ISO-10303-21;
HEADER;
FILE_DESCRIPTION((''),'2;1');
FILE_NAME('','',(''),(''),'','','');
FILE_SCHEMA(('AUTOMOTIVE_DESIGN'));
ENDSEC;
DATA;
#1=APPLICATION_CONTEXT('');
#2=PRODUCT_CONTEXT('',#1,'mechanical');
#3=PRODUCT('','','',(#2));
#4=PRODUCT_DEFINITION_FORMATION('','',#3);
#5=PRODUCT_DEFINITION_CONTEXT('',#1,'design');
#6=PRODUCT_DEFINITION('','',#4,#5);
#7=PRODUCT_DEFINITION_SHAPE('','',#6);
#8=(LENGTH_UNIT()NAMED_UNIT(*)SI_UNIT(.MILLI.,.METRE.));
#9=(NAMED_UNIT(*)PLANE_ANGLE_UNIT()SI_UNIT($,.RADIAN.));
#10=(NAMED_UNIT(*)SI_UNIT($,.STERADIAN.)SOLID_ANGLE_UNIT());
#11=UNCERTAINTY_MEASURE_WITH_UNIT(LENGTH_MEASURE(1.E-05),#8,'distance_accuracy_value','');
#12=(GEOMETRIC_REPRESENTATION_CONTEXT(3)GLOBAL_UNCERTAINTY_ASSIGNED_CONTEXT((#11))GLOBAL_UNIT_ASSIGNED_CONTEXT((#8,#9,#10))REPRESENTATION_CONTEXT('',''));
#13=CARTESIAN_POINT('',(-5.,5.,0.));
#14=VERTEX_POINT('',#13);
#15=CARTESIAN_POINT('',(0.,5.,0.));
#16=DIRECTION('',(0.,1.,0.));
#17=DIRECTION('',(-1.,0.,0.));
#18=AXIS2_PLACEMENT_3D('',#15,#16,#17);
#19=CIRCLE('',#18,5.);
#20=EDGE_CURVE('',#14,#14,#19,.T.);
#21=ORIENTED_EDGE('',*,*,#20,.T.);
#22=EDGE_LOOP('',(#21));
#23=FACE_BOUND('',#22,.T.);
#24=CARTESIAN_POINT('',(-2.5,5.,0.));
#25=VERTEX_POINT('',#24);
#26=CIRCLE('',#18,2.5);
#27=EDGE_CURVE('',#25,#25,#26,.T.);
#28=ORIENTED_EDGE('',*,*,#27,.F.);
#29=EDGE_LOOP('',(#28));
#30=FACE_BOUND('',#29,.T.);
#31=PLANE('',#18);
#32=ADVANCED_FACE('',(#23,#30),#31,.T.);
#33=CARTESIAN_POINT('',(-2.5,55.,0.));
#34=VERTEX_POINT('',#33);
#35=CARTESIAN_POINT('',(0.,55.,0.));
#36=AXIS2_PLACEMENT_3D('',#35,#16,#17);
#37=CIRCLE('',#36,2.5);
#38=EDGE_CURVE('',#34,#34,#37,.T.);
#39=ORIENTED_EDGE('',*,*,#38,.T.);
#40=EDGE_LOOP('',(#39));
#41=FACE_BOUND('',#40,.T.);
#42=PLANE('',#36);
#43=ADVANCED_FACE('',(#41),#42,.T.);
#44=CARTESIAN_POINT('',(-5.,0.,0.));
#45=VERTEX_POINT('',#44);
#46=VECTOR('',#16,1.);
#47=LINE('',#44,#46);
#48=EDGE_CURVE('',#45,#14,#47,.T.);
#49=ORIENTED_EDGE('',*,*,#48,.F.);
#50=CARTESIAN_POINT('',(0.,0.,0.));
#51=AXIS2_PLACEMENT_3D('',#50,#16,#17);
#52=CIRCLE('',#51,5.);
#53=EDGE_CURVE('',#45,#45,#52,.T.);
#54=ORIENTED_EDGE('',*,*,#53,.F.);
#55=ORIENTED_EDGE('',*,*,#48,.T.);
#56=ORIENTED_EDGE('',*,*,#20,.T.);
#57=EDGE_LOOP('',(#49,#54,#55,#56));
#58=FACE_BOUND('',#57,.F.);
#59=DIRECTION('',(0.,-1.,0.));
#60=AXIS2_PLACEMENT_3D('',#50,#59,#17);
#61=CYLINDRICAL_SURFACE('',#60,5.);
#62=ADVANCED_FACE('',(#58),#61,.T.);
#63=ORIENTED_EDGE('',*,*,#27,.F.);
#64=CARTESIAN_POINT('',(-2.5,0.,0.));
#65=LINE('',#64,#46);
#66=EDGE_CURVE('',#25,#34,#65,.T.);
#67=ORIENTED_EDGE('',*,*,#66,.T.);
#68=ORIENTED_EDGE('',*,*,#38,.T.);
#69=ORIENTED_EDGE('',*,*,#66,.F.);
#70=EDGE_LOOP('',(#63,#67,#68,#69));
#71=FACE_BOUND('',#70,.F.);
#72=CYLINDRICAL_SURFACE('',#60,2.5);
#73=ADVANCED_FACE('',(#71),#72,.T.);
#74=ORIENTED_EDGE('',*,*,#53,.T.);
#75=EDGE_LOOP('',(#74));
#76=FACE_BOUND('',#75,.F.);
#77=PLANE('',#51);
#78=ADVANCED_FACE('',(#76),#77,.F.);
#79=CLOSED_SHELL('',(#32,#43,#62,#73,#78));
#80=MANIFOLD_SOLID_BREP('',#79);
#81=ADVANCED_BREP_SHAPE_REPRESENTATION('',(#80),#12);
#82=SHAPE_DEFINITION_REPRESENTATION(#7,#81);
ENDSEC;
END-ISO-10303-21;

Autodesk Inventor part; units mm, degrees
ref_plane "YZ Plane" through (0, 0, 0) normal (1, 0, 0) x (0, 1, 0)
ref_plane "XZ Plane" through (0, 0, 0) normal (0, 1, 0) x (-1, 0, 0)
ref_plane "XY Plane" through (0, 0, 0) normal (0, 0, 1) x (1, 0, 0)
sketch "Эскиз1" plane through (0, 0, 0) normal (0, 1, 0) x (-1, 0, 0)
  circle A0 centre (0, 0) radius 5
  circle A1 centre (0, 0) radius 2.5
  dimension "d0" = 10
  dimension "d1" = 5
extrude "Выдавливание1" add sketch "Эскиз1" along normal blind 5
extrude "Выдавливание2" add sketch "Эскиз1" along normal blind 55 contours A1
properties part number "вал с пружиной"
